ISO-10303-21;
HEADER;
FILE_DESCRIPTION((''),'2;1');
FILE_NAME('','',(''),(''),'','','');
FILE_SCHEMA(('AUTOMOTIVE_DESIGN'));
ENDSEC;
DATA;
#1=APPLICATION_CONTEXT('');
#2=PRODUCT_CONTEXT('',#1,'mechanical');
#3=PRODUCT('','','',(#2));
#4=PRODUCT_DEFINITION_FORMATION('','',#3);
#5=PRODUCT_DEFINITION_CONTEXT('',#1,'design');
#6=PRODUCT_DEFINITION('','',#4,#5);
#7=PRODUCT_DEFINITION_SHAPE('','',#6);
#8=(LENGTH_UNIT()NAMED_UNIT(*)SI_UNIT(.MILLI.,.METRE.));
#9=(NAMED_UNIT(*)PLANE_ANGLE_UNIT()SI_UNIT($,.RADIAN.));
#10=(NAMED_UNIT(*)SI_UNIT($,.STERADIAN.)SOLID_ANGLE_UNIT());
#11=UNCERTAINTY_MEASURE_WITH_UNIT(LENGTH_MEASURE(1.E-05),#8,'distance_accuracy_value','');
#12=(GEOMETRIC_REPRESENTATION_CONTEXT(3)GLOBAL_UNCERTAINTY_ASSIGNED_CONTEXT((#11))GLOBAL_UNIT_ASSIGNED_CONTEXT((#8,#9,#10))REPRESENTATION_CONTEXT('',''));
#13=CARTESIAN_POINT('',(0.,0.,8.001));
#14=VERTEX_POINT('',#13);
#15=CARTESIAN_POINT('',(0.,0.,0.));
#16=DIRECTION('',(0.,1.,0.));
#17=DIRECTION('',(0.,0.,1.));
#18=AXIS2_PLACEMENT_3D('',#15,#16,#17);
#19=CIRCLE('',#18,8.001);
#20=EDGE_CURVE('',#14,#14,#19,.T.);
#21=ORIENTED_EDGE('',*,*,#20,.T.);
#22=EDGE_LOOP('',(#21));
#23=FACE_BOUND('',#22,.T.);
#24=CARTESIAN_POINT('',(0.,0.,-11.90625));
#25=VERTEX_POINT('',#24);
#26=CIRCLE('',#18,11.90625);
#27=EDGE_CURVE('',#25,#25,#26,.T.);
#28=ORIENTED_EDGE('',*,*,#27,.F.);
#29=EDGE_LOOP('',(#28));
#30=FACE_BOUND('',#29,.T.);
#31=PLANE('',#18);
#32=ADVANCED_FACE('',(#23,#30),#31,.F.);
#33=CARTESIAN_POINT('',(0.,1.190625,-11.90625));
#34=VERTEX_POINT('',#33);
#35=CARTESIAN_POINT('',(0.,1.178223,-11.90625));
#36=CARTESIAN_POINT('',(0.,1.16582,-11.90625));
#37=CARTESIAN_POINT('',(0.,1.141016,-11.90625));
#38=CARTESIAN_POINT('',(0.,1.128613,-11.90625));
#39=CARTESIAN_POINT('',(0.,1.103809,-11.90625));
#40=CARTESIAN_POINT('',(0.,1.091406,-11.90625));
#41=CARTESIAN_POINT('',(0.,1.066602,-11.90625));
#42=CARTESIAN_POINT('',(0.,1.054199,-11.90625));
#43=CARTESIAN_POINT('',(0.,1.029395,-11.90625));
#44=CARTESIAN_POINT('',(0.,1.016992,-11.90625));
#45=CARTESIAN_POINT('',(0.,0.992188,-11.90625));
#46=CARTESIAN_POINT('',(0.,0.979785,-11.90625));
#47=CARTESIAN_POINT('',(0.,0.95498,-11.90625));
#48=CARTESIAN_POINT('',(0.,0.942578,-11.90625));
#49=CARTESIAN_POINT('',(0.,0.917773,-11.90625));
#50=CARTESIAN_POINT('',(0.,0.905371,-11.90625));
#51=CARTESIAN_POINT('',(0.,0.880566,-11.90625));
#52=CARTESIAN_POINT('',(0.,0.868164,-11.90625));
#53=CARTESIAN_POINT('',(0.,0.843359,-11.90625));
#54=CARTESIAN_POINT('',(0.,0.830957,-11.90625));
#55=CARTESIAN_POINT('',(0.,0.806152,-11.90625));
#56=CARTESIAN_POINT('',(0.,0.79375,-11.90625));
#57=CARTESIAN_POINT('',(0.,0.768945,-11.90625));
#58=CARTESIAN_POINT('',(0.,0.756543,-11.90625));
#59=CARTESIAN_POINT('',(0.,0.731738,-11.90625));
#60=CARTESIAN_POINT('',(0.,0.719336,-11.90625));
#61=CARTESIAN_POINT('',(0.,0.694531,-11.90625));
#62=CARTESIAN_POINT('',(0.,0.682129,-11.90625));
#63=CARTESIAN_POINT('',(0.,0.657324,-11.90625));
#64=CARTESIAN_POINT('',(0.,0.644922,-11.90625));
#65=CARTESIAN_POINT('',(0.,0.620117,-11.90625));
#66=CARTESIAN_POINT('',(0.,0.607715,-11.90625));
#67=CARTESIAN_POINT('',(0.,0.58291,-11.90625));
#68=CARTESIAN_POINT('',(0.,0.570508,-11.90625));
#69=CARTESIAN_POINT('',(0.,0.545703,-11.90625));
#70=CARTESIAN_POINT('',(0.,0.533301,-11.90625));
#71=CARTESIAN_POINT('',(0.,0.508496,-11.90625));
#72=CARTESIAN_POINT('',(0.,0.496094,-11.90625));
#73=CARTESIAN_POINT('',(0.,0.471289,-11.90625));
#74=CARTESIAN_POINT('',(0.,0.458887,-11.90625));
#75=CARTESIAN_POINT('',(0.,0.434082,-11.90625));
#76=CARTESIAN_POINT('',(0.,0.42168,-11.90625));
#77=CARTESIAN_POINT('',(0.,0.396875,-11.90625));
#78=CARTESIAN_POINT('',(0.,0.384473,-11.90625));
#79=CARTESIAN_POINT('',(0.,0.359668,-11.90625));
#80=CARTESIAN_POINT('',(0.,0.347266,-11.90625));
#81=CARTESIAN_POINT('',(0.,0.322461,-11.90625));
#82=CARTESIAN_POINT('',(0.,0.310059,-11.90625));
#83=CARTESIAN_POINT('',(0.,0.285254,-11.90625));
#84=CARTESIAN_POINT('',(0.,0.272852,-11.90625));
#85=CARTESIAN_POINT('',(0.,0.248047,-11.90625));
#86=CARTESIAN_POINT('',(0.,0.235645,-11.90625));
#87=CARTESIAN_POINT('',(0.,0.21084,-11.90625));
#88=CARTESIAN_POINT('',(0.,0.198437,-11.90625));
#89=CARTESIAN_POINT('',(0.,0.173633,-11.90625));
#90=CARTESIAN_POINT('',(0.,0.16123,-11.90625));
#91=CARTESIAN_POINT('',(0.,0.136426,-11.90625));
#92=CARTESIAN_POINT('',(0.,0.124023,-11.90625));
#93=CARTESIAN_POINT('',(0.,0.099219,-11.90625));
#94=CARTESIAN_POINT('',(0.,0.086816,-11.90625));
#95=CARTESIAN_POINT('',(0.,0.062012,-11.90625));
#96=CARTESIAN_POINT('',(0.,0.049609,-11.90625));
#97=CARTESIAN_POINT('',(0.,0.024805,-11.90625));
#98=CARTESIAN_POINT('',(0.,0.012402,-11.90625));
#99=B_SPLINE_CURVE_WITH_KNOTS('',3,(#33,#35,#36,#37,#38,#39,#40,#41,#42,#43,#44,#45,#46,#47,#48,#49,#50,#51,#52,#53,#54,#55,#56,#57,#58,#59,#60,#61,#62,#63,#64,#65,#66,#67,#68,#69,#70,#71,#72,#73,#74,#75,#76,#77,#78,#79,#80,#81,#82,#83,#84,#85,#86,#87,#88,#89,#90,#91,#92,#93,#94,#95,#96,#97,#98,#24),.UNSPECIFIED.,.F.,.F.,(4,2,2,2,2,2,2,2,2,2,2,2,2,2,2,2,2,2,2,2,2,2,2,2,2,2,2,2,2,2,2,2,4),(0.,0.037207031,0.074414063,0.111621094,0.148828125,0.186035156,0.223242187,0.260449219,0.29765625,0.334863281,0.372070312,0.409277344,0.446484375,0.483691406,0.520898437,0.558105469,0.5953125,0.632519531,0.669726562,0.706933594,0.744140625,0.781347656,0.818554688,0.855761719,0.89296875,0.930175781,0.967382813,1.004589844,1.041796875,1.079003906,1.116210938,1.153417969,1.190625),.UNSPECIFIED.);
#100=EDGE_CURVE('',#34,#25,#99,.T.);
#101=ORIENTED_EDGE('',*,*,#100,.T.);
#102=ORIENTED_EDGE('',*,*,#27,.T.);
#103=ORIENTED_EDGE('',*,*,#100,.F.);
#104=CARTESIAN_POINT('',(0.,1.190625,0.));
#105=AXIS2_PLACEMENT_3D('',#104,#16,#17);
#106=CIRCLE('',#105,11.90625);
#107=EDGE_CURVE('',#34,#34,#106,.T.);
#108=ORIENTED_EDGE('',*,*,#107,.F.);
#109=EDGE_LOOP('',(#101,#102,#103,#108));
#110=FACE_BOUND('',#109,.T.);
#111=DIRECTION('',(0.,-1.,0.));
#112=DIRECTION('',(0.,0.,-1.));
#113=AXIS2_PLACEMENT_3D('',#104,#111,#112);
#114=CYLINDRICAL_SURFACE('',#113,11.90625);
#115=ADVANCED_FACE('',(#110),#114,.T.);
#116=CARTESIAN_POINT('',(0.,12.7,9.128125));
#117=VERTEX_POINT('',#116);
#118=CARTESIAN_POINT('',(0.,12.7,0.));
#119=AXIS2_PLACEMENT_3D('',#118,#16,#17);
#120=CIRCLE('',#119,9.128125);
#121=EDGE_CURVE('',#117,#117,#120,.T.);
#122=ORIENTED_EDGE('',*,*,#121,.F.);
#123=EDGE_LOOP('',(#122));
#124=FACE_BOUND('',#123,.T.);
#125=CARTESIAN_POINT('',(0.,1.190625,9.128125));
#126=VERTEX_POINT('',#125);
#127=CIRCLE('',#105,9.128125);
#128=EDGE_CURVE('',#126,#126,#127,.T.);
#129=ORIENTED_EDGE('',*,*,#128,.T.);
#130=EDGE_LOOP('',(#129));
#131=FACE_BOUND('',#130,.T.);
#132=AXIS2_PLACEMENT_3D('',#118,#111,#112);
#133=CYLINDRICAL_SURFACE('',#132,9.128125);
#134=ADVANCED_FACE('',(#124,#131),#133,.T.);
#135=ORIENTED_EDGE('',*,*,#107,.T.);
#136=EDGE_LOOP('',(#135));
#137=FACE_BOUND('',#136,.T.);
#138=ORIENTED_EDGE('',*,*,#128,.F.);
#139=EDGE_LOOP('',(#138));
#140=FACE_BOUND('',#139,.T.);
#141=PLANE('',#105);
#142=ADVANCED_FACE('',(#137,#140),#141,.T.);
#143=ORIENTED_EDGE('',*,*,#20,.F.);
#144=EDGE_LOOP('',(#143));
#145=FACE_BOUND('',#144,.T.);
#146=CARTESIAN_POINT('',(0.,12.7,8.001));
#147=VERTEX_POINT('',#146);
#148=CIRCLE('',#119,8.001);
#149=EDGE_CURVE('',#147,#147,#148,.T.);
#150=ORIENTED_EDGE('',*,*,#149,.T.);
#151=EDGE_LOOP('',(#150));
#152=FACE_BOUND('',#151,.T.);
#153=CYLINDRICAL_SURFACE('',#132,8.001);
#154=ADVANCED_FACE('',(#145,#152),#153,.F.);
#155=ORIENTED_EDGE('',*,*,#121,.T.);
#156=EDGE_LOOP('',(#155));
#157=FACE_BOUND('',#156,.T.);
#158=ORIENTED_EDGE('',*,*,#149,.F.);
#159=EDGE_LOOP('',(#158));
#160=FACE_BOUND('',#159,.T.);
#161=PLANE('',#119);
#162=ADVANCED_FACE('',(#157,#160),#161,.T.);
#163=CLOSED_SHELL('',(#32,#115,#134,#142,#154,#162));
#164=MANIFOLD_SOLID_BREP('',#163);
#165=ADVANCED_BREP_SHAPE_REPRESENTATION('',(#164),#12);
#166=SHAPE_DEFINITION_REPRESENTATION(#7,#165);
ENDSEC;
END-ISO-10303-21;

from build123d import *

# Parameters (mm, degrees)
SKETCH2_R           = 9.128125
SKETCH2_R_2         = 8.001
BOSS_EXTRUDE1_DEPTH = 12.7
SKETCH3_R           = 11.90625
SKETCH3_R_2         = 9.128125
BOSS_EXTRUDE2_DEPTH = 1.190625


with BuildPart() as part:
    # Sketch2 → Boss-Extrude1 (new body)
    with BuildSketch(Plane(origin=(0, 0, 0), x_dir=(1, 0, 0), z_dir=(0, 1, 0))):
        with Locations(Location((0, 0, 0), (0, 0, 270))):
            Circle(SKETCH2_R)
        with Locations(Location((0, 0, 0), (0, 0, 270))):
            Circle(SKETCH2_R_2, mode=Mode.SUBTRACT)
    extrude(amount=BOSS_EXTRUDE1_DEPTH)

    # Sketch3 → Boss-Extrude2 (add)
    with BuildSketch(Plane(origin=(0, 0, 0), x_dir=(1, 0, 0), z_dir=(0, 1, 0))):
        with Locations(Location((0, 0, 0), (0, 0, 90))):
            Circle(SKETCH3_R)
        with Locations(Location((0, 0, 0), (0, 0, 270))):
            Circle(SKETCH3_R_2, mode=Mode.SUBTRACT)
    extrude(amount=BOSS_EXTRUDE2_DEPTH)


solid = part.part
